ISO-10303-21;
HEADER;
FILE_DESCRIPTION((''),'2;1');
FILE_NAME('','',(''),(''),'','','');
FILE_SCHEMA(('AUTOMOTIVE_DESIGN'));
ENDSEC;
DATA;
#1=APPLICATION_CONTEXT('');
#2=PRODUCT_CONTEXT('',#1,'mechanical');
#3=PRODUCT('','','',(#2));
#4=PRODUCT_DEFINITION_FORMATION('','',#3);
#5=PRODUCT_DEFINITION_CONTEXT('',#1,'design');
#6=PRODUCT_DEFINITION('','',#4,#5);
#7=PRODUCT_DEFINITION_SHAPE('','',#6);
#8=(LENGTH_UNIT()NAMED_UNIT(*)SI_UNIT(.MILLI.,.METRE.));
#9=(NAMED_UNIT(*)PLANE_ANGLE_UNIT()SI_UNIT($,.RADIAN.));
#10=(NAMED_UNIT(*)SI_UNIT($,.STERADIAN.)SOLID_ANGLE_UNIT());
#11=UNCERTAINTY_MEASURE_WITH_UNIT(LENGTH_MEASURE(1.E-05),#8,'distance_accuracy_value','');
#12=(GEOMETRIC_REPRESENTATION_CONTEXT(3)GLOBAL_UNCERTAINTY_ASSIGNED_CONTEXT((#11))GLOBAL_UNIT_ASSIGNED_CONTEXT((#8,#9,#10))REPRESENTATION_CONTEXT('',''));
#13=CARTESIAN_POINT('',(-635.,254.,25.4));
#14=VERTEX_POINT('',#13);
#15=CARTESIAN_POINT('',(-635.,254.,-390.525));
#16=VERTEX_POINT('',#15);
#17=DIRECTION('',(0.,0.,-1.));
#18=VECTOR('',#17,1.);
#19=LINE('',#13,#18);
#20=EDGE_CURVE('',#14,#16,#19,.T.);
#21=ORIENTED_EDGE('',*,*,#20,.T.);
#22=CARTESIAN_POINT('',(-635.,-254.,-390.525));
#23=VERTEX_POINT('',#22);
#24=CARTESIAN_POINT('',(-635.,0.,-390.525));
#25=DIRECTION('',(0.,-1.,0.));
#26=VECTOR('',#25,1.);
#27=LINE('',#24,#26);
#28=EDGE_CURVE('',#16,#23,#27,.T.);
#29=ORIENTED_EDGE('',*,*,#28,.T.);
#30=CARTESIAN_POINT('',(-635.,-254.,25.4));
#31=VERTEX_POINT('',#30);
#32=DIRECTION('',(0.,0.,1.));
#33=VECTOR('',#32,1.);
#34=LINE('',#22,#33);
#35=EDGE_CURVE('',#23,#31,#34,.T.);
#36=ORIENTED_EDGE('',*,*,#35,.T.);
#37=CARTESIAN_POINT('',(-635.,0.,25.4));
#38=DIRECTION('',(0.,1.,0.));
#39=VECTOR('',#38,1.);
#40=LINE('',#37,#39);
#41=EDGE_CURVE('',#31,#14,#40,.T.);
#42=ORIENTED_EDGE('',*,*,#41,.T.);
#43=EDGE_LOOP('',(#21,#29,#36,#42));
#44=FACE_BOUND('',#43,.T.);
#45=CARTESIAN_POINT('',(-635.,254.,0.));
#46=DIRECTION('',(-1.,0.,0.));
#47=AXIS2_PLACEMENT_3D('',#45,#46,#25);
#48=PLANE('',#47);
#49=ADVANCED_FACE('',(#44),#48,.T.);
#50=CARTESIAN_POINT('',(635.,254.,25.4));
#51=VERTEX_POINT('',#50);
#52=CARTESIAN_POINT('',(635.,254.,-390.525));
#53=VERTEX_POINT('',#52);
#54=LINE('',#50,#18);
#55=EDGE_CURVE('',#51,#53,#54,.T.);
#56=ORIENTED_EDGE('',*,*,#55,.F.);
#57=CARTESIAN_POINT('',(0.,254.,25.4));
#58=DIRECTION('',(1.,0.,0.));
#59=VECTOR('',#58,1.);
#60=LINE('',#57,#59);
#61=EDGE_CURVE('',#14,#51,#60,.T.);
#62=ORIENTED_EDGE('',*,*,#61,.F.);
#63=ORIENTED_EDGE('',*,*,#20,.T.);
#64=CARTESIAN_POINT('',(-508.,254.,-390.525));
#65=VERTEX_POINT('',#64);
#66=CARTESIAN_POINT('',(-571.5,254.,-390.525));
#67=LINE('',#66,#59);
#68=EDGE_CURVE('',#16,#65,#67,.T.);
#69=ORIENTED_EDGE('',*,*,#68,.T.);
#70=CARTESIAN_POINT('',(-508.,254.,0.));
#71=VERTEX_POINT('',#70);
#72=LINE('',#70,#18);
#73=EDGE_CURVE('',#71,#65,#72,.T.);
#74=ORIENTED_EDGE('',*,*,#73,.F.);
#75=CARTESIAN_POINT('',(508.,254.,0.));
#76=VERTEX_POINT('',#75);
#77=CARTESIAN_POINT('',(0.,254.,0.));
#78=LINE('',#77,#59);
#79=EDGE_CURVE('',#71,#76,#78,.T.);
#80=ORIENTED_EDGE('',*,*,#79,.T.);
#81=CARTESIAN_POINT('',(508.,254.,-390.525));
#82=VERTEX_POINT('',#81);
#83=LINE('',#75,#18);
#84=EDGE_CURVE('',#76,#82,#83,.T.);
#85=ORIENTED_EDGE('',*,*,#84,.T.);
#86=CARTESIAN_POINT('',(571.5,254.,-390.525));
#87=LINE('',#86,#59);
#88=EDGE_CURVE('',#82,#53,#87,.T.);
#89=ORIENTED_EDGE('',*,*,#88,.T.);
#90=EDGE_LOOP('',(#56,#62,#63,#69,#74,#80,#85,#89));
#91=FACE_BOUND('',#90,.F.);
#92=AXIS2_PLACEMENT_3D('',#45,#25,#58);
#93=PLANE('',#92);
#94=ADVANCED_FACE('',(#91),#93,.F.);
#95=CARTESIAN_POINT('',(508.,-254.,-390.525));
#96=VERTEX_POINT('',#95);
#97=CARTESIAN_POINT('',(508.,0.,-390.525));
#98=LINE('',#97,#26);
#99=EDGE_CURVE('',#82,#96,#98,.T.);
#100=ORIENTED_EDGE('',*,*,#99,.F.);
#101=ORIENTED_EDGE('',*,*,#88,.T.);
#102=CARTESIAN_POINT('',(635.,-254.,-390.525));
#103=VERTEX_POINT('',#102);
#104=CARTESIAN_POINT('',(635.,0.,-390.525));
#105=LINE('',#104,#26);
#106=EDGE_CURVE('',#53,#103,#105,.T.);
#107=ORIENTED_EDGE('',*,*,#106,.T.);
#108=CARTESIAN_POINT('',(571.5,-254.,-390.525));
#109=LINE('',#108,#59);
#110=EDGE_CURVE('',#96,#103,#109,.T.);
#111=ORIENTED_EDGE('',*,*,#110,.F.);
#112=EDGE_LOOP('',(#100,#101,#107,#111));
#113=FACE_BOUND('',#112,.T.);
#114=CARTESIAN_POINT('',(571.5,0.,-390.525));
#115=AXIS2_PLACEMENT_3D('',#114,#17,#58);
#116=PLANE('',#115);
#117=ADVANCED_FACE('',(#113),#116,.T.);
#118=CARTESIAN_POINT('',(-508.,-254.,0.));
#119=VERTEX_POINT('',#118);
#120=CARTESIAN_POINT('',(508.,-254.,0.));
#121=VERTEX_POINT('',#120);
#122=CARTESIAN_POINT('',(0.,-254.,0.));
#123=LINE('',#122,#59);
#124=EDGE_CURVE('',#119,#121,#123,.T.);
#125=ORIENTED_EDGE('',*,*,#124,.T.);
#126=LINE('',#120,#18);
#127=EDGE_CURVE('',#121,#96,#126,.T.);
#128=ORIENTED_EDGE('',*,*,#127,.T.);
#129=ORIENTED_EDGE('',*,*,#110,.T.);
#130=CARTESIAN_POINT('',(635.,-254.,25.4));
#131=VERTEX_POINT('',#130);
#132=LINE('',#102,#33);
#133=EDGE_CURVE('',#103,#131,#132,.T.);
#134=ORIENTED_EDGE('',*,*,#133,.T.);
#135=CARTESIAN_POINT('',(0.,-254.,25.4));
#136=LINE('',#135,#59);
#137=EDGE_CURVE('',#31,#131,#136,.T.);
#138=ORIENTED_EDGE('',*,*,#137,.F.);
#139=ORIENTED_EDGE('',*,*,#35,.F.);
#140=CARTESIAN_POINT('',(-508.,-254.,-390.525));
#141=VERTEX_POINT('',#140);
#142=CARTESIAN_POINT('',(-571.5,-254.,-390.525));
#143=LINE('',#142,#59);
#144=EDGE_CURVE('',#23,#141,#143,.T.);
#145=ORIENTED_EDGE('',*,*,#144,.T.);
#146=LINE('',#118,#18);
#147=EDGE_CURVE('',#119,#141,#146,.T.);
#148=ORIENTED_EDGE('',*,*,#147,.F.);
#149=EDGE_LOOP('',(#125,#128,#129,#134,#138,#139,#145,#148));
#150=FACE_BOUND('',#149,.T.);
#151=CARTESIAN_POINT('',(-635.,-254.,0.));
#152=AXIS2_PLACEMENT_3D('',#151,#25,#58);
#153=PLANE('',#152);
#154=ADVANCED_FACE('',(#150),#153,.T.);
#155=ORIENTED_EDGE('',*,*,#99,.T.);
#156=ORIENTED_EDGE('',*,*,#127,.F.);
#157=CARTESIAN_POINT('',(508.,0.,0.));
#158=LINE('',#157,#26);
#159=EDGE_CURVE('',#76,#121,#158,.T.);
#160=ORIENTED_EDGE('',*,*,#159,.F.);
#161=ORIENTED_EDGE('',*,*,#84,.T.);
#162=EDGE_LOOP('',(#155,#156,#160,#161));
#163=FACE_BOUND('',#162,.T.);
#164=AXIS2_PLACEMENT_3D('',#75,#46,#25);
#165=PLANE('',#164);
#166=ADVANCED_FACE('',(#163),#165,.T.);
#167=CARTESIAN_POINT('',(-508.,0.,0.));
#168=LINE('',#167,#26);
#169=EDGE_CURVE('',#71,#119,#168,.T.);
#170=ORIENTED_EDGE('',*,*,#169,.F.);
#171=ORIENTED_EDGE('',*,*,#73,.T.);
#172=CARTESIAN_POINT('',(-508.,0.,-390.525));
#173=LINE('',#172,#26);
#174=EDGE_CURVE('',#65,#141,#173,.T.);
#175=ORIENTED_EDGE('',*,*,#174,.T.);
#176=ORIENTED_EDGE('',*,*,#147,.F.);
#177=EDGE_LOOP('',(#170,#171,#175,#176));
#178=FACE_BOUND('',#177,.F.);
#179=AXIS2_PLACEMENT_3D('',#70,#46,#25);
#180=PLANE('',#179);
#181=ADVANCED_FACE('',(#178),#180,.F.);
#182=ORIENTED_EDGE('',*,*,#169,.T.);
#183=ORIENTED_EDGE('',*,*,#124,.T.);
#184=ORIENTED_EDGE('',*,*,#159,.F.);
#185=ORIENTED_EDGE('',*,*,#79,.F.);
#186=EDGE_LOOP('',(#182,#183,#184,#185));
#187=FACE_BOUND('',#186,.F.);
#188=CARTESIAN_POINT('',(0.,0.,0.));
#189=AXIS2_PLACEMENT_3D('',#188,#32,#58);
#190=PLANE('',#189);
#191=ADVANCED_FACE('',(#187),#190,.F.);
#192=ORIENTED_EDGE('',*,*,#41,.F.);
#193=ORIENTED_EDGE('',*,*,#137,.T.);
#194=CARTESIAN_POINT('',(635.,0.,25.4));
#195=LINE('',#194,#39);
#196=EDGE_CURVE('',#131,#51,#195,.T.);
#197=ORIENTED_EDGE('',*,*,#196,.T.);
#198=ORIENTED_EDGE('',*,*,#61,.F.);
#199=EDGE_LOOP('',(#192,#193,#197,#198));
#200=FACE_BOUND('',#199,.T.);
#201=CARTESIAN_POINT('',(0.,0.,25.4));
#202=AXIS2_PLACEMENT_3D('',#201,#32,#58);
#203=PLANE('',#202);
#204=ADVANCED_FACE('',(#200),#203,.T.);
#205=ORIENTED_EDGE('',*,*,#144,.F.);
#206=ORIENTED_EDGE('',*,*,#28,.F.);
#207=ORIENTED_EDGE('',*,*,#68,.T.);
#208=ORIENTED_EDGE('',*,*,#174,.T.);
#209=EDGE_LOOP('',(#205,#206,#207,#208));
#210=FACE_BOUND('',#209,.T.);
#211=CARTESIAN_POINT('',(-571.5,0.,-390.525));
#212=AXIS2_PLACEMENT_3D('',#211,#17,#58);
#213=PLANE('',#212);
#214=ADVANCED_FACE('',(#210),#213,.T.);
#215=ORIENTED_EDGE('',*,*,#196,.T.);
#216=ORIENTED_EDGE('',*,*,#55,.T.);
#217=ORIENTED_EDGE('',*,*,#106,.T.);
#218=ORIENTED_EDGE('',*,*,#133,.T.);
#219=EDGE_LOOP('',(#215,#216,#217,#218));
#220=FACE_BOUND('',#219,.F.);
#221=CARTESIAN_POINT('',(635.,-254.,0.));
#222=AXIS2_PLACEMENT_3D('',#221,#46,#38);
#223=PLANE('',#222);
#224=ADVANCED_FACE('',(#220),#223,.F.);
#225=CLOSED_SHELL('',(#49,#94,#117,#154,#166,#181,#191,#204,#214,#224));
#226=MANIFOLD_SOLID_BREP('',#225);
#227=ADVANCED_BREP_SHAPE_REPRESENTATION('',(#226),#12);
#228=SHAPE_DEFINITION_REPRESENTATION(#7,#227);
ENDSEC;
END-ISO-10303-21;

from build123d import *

# Parameters (mm, degrees)
F0_W     = 1270
F0_H     = 508
F1_DEPTH = 25.4
F2_W     = 127
F2_H     = 508
F3_DEPTH = 390.525


with BuildPart() as f1:
    # F0 (on Top) → F1 (new body)
    with BuildSketch(Plane.XY):
        Rectangle(F0_W, F0_H)
    extrude(amount=F1_DEPTH)

    # F2 (on face) → F3 (join)
    with BuildSketch(Plane(origin=(0, 0, 0), x_dir=(1, 0, 0), z_dir=(0, 0, -1))):
        with Locations((-571.5, 0)):
            Rectangle(F2_W, F2_H)
        with Locations((571.5, 0)):
            Rectangle(F2_W, F2_H)
    extrude(amount=F3_DEPTH)


solid = f1.part
